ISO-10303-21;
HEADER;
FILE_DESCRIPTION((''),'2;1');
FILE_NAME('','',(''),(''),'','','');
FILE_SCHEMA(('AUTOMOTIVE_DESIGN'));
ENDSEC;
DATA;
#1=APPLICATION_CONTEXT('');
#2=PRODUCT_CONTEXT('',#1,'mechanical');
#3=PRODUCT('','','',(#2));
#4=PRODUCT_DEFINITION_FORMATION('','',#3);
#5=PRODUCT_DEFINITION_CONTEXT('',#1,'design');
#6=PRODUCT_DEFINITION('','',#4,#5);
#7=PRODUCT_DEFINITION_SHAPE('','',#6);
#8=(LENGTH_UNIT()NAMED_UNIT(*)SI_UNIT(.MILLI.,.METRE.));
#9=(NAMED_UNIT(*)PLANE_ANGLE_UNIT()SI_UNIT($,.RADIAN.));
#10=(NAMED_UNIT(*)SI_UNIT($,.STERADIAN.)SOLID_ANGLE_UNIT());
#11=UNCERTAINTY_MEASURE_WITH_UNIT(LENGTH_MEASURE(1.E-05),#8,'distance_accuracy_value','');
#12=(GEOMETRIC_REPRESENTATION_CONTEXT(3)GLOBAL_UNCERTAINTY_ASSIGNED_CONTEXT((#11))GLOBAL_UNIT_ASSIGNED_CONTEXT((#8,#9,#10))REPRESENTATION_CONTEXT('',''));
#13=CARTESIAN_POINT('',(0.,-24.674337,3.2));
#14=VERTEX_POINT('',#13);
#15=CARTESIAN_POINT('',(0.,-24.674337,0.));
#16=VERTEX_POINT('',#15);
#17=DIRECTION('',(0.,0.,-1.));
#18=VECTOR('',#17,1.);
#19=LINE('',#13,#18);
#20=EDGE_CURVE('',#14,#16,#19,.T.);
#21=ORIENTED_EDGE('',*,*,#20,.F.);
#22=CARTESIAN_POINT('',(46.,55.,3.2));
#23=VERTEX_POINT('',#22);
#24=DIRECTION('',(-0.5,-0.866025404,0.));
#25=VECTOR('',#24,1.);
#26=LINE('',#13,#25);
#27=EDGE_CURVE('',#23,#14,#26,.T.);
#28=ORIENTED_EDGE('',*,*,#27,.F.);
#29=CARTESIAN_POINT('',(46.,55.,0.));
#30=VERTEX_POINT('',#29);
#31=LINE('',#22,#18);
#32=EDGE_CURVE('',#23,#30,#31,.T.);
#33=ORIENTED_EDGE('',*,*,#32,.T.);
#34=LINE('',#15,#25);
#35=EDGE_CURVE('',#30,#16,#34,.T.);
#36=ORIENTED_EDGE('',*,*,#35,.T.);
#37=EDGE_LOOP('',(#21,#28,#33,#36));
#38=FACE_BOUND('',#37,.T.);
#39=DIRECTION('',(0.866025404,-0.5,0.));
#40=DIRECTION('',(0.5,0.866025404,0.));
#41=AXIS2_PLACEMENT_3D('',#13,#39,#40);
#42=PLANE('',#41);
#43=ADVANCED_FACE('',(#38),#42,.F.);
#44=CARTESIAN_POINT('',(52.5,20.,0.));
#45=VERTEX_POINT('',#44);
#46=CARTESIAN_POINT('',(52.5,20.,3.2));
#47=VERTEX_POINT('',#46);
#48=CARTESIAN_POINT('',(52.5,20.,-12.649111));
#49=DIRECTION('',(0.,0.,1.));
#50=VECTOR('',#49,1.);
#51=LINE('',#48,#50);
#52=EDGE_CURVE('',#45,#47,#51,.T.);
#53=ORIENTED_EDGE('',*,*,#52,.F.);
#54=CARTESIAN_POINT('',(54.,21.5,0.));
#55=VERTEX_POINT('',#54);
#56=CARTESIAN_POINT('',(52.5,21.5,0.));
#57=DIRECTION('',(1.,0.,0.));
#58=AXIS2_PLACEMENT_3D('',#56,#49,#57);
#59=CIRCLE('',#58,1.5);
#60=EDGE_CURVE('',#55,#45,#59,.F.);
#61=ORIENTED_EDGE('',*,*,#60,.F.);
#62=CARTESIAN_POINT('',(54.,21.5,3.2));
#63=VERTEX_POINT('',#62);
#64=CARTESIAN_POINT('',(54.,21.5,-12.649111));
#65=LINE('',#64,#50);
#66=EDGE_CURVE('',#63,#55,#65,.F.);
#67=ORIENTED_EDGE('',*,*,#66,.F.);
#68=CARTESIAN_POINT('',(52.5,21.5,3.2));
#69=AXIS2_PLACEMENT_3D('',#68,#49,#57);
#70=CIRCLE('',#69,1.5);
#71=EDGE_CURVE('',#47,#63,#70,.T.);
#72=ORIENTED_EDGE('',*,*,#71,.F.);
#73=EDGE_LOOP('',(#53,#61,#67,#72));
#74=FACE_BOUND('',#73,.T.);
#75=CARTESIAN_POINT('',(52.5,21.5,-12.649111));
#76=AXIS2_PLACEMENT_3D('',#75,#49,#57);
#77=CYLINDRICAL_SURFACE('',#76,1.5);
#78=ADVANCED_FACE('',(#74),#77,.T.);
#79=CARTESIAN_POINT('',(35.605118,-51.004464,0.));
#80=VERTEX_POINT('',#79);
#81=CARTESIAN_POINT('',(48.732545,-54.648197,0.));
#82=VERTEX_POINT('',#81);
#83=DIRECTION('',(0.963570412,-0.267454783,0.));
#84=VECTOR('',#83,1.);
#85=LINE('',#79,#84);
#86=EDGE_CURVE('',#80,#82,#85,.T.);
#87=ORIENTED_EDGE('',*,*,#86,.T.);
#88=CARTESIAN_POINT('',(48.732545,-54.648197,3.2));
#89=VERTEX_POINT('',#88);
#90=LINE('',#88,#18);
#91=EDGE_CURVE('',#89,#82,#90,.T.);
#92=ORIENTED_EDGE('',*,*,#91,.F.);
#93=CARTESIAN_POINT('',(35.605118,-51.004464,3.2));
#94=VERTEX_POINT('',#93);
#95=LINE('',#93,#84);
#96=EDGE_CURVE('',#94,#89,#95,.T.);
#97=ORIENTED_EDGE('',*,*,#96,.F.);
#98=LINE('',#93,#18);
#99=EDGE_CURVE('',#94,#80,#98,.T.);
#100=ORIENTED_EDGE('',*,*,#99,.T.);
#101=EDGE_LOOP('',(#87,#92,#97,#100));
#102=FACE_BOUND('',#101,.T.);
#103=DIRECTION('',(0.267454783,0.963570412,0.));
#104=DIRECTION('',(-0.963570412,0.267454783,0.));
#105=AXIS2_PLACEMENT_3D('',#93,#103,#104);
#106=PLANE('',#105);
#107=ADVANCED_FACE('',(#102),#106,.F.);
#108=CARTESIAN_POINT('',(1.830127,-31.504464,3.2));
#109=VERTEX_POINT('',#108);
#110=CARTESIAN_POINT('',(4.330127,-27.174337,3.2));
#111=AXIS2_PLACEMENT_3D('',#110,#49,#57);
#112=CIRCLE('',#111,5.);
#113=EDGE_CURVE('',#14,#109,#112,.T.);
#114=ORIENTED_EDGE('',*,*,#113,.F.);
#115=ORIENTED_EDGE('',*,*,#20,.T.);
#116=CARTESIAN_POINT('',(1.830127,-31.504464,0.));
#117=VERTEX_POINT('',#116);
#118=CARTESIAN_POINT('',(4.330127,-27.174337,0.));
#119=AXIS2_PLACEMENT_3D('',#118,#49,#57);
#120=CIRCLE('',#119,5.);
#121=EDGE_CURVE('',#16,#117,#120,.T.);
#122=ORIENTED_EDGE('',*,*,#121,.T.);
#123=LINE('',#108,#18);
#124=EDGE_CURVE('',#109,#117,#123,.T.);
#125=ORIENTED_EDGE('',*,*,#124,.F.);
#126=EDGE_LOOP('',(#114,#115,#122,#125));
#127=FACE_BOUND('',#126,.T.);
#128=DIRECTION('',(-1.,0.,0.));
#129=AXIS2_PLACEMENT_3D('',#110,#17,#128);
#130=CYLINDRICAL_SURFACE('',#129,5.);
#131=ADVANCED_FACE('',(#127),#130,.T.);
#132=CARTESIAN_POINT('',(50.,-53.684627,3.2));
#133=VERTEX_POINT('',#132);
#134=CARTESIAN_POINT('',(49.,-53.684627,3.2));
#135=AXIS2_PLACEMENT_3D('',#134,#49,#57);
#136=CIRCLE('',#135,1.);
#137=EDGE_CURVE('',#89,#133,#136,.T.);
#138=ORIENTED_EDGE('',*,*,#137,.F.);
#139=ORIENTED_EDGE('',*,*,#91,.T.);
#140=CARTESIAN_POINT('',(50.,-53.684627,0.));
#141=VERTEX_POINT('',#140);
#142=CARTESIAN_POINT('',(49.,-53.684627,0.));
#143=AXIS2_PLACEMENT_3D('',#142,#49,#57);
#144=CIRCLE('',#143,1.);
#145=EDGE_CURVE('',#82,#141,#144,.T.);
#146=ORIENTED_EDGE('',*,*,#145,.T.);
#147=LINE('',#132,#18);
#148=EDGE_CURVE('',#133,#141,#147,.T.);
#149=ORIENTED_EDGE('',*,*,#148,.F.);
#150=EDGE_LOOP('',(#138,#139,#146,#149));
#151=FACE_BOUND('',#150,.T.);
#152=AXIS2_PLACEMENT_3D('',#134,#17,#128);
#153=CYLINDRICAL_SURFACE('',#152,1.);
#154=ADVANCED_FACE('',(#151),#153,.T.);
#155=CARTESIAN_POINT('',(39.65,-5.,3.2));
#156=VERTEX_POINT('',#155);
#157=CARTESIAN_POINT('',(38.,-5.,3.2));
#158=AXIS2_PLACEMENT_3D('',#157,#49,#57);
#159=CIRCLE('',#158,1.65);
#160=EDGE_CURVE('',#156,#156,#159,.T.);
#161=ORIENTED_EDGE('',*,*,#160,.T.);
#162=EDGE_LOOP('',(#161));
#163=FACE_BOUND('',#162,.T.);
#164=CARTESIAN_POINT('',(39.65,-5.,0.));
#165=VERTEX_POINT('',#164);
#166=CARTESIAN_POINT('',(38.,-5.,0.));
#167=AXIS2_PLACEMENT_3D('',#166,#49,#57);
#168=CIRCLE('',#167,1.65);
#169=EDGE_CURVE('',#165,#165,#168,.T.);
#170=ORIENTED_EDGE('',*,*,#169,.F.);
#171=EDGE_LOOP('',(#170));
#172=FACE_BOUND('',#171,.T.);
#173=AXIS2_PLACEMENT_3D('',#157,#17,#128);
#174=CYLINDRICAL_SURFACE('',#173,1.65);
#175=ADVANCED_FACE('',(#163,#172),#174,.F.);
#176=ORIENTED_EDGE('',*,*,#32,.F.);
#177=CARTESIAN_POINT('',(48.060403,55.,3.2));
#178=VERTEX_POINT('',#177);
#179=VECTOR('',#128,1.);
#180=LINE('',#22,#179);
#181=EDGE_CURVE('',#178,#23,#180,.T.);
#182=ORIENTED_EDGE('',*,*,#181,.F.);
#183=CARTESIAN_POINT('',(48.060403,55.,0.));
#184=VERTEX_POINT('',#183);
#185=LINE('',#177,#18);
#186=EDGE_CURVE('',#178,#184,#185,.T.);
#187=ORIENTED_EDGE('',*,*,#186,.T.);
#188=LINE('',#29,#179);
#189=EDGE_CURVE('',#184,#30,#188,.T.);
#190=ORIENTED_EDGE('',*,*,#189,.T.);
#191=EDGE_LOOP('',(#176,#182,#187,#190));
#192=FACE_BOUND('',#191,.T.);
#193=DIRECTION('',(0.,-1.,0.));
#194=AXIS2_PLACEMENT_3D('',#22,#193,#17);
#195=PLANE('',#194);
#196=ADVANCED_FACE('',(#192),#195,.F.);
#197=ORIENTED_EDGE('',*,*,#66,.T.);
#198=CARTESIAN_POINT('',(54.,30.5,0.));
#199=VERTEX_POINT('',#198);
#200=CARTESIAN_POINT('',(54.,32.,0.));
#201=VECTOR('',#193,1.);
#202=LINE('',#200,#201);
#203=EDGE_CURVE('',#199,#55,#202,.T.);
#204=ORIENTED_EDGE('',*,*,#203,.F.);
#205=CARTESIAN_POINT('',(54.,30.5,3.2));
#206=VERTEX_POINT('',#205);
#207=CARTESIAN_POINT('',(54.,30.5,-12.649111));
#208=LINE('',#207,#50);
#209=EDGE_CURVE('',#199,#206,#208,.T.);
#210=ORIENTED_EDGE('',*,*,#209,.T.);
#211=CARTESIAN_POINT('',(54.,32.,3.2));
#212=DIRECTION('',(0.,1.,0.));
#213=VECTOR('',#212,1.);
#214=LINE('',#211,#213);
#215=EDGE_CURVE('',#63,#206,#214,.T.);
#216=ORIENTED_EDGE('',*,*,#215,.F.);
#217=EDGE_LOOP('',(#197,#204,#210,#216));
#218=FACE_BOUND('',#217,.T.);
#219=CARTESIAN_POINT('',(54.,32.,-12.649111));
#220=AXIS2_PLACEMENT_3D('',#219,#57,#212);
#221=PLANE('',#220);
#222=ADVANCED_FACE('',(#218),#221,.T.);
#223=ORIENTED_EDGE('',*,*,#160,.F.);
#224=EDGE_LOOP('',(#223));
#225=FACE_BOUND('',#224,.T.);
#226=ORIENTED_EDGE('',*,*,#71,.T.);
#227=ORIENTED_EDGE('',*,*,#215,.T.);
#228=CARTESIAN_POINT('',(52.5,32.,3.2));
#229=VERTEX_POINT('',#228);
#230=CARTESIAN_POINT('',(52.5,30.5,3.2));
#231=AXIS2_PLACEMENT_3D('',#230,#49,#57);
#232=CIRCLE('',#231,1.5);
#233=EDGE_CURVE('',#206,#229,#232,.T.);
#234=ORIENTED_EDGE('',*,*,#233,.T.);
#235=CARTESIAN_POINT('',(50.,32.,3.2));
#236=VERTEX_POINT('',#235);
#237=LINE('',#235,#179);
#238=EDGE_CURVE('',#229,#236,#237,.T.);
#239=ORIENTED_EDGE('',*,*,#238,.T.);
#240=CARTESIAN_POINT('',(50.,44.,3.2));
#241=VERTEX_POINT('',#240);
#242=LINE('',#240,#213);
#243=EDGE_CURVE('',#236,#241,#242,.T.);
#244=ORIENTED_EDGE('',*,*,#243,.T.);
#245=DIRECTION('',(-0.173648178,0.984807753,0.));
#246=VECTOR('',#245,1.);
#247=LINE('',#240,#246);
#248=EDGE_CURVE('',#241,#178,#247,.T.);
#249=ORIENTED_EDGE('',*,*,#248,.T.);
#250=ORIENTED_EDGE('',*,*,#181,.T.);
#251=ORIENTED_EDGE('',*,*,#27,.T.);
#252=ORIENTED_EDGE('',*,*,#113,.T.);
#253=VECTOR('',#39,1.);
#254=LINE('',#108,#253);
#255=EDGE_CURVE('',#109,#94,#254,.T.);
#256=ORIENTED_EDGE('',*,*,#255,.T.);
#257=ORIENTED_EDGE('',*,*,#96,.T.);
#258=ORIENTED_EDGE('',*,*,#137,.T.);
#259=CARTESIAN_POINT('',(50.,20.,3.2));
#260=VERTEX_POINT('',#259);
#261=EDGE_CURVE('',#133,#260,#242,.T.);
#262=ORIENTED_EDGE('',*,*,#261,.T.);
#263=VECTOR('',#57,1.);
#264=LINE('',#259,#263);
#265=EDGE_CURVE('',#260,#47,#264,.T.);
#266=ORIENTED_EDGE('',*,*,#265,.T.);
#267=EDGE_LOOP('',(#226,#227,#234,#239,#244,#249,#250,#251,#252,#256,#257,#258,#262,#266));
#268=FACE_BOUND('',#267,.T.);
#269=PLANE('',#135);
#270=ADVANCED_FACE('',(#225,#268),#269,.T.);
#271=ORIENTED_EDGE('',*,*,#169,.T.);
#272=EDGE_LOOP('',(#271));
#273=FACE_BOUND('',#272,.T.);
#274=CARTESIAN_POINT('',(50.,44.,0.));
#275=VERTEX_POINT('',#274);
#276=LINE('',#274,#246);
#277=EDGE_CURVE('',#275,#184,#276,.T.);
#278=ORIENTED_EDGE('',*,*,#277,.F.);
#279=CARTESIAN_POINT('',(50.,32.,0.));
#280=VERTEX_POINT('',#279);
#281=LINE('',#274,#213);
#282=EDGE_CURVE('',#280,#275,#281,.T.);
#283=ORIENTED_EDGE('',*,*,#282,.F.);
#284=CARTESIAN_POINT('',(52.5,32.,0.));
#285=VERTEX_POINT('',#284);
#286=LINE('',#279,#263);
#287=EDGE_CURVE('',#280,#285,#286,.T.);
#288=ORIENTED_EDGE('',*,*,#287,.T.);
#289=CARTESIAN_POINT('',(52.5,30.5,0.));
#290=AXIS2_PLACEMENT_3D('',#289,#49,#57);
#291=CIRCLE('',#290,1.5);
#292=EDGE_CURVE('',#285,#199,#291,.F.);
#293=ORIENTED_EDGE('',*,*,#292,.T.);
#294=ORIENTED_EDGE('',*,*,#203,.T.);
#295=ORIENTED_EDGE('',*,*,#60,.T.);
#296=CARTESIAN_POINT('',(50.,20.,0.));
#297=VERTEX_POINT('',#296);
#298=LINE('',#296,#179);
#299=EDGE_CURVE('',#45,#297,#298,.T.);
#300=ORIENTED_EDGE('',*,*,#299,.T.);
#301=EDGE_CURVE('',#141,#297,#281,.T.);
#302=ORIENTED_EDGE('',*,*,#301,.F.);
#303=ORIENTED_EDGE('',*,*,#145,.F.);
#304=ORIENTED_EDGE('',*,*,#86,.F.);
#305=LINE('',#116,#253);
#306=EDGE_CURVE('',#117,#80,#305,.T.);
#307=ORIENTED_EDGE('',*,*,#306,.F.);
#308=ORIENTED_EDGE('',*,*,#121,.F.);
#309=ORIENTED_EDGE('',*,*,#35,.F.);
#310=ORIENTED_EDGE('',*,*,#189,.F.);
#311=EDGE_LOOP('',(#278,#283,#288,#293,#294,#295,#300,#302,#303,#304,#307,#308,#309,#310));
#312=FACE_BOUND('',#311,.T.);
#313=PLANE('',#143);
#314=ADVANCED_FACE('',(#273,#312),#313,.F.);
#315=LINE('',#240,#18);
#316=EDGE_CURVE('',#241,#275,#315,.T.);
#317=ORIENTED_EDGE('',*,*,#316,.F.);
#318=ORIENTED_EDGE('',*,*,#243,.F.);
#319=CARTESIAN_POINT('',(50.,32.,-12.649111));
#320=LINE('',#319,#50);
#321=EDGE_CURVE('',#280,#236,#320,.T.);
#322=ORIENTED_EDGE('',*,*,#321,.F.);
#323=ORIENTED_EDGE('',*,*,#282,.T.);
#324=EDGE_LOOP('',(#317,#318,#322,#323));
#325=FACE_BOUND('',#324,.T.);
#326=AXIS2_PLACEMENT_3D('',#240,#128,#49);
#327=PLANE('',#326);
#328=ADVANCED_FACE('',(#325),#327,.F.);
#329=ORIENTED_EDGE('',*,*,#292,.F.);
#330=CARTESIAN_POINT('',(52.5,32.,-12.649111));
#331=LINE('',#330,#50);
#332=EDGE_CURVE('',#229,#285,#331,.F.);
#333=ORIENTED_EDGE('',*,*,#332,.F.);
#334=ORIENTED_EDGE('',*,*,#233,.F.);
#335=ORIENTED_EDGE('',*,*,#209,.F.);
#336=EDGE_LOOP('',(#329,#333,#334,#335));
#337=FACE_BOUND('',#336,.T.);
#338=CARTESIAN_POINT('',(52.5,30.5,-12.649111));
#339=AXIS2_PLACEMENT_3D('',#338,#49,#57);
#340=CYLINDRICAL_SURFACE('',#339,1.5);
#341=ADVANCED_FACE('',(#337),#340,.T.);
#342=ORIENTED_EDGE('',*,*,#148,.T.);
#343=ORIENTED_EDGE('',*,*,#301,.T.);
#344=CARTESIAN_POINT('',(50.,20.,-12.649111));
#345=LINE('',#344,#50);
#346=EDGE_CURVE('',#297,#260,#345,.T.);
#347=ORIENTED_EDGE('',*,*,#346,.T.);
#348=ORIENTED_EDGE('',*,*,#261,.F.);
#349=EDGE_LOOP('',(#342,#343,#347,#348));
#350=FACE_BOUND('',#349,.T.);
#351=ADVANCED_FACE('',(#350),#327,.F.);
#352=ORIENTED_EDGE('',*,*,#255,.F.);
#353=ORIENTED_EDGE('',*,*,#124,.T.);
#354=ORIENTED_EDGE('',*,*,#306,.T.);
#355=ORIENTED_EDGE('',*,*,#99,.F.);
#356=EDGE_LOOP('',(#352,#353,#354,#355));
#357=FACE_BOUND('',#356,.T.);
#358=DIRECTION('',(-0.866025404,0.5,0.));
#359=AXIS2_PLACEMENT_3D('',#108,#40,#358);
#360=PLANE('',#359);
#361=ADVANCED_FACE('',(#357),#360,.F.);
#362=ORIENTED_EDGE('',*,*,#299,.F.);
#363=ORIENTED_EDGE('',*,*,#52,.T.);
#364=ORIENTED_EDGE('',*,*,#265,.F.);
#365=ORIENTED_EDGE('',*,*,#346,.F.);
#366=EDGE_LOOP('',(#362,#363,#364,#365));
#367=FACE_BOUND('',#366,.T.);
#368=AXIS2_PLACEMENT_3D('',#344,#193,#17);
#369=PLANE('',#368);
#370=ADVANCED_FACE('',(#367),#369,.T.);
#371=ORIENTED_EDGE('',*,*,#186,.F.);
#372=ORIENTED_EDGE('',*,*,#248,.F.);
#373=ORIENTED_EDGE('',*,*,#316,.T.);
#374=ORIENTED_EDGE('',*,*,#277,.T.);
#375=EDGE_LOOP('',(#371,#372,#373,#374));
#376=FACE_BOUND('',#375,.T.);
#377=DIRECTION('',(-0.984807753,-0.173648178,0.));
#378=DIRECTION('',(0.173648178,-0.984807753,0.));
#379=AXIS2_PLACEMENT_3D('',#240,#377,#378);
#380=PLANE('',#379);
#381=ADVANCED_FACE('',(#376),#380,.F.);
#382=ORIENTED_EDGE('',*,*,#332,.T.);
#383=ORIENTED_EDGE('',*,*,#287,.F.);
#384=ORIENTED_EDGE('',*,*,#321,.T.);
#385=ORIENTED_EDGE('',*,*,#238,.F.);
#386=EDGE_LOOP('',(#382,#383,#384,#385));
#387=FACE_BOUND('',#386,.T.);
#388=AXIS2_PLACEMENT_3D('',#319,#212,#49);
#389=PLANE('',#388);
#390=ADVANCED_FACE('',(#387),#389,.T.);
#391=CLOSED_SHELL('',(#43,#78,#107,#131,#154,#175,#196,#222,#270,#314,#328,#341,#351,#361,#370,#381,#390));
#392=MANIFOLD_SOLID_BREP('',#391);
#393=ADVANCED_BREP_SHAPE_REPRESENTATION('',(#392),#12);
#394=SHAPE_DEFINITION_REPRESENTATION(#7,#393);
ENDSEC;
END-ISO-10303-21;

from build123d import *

# Parameters (mm, degrees)
SKETCH1_R           = 1.65
BOSS_EXTRUDE1_DEPTH = 3.2
SKETCH2_W           = 4
SKETCH2_H           = 12
BOSS_EXTRUDE2_DEPTH = 3.2
FILLET1_R           = 1.5


with BuildPart() as part:
    # Sketch1 → Boss-Extrude1 (new body)
    with BuildSketch(Plane.XY):
        with BuildLine():
            Line((1.830127019, -31.504464167), (35.605117766, -51.004464167))
            Line((35.605117766, -51.004464167), (48.732545217, -54.648197122))
            ThreePointArc((48.732545217, -54.648197122), (49.6052046, -54.480696676), (50, -53.68462671))
            Line((50, -53.68462671), (50, 44))
            Line((50, 44), (48.060403212, 55))
            Line((48.060403212, 55), (46, 55))
            Line((46, 55), (0, -24.674337148))
            ThreePointArc((0, -24.674337148), (-0.499502113, -28.468432374), (1.830127019, -31.504464167))
        make_face()
        with Locations((38, -5)):
            Circle(SKETCH1_R, mode=Mode.SUBTRACT)
    extrude(amount=BOSS_EXTRUDE1_DEPTH)

    # Sketch2 → Boss-Extrude2 (add)
    with BuildSketch(Plane.XY.offset(3.2)):
        with Locations((52, 26)):
            Rectangle(SKETCH2_W, SKETCH2_H)
    extrude(amount=-BOSS_EXTRUDE2_DEPTH)

    # Fillet1
    fillet1_edges = [part.edges().sort_by_distance(p)[0] for p in [
        (54, 32, 1.6),
        (54, 20, 1.6),
    ]]
    fillet(fillet1_edges, radius=FILLET1_R)


solid = part.part
